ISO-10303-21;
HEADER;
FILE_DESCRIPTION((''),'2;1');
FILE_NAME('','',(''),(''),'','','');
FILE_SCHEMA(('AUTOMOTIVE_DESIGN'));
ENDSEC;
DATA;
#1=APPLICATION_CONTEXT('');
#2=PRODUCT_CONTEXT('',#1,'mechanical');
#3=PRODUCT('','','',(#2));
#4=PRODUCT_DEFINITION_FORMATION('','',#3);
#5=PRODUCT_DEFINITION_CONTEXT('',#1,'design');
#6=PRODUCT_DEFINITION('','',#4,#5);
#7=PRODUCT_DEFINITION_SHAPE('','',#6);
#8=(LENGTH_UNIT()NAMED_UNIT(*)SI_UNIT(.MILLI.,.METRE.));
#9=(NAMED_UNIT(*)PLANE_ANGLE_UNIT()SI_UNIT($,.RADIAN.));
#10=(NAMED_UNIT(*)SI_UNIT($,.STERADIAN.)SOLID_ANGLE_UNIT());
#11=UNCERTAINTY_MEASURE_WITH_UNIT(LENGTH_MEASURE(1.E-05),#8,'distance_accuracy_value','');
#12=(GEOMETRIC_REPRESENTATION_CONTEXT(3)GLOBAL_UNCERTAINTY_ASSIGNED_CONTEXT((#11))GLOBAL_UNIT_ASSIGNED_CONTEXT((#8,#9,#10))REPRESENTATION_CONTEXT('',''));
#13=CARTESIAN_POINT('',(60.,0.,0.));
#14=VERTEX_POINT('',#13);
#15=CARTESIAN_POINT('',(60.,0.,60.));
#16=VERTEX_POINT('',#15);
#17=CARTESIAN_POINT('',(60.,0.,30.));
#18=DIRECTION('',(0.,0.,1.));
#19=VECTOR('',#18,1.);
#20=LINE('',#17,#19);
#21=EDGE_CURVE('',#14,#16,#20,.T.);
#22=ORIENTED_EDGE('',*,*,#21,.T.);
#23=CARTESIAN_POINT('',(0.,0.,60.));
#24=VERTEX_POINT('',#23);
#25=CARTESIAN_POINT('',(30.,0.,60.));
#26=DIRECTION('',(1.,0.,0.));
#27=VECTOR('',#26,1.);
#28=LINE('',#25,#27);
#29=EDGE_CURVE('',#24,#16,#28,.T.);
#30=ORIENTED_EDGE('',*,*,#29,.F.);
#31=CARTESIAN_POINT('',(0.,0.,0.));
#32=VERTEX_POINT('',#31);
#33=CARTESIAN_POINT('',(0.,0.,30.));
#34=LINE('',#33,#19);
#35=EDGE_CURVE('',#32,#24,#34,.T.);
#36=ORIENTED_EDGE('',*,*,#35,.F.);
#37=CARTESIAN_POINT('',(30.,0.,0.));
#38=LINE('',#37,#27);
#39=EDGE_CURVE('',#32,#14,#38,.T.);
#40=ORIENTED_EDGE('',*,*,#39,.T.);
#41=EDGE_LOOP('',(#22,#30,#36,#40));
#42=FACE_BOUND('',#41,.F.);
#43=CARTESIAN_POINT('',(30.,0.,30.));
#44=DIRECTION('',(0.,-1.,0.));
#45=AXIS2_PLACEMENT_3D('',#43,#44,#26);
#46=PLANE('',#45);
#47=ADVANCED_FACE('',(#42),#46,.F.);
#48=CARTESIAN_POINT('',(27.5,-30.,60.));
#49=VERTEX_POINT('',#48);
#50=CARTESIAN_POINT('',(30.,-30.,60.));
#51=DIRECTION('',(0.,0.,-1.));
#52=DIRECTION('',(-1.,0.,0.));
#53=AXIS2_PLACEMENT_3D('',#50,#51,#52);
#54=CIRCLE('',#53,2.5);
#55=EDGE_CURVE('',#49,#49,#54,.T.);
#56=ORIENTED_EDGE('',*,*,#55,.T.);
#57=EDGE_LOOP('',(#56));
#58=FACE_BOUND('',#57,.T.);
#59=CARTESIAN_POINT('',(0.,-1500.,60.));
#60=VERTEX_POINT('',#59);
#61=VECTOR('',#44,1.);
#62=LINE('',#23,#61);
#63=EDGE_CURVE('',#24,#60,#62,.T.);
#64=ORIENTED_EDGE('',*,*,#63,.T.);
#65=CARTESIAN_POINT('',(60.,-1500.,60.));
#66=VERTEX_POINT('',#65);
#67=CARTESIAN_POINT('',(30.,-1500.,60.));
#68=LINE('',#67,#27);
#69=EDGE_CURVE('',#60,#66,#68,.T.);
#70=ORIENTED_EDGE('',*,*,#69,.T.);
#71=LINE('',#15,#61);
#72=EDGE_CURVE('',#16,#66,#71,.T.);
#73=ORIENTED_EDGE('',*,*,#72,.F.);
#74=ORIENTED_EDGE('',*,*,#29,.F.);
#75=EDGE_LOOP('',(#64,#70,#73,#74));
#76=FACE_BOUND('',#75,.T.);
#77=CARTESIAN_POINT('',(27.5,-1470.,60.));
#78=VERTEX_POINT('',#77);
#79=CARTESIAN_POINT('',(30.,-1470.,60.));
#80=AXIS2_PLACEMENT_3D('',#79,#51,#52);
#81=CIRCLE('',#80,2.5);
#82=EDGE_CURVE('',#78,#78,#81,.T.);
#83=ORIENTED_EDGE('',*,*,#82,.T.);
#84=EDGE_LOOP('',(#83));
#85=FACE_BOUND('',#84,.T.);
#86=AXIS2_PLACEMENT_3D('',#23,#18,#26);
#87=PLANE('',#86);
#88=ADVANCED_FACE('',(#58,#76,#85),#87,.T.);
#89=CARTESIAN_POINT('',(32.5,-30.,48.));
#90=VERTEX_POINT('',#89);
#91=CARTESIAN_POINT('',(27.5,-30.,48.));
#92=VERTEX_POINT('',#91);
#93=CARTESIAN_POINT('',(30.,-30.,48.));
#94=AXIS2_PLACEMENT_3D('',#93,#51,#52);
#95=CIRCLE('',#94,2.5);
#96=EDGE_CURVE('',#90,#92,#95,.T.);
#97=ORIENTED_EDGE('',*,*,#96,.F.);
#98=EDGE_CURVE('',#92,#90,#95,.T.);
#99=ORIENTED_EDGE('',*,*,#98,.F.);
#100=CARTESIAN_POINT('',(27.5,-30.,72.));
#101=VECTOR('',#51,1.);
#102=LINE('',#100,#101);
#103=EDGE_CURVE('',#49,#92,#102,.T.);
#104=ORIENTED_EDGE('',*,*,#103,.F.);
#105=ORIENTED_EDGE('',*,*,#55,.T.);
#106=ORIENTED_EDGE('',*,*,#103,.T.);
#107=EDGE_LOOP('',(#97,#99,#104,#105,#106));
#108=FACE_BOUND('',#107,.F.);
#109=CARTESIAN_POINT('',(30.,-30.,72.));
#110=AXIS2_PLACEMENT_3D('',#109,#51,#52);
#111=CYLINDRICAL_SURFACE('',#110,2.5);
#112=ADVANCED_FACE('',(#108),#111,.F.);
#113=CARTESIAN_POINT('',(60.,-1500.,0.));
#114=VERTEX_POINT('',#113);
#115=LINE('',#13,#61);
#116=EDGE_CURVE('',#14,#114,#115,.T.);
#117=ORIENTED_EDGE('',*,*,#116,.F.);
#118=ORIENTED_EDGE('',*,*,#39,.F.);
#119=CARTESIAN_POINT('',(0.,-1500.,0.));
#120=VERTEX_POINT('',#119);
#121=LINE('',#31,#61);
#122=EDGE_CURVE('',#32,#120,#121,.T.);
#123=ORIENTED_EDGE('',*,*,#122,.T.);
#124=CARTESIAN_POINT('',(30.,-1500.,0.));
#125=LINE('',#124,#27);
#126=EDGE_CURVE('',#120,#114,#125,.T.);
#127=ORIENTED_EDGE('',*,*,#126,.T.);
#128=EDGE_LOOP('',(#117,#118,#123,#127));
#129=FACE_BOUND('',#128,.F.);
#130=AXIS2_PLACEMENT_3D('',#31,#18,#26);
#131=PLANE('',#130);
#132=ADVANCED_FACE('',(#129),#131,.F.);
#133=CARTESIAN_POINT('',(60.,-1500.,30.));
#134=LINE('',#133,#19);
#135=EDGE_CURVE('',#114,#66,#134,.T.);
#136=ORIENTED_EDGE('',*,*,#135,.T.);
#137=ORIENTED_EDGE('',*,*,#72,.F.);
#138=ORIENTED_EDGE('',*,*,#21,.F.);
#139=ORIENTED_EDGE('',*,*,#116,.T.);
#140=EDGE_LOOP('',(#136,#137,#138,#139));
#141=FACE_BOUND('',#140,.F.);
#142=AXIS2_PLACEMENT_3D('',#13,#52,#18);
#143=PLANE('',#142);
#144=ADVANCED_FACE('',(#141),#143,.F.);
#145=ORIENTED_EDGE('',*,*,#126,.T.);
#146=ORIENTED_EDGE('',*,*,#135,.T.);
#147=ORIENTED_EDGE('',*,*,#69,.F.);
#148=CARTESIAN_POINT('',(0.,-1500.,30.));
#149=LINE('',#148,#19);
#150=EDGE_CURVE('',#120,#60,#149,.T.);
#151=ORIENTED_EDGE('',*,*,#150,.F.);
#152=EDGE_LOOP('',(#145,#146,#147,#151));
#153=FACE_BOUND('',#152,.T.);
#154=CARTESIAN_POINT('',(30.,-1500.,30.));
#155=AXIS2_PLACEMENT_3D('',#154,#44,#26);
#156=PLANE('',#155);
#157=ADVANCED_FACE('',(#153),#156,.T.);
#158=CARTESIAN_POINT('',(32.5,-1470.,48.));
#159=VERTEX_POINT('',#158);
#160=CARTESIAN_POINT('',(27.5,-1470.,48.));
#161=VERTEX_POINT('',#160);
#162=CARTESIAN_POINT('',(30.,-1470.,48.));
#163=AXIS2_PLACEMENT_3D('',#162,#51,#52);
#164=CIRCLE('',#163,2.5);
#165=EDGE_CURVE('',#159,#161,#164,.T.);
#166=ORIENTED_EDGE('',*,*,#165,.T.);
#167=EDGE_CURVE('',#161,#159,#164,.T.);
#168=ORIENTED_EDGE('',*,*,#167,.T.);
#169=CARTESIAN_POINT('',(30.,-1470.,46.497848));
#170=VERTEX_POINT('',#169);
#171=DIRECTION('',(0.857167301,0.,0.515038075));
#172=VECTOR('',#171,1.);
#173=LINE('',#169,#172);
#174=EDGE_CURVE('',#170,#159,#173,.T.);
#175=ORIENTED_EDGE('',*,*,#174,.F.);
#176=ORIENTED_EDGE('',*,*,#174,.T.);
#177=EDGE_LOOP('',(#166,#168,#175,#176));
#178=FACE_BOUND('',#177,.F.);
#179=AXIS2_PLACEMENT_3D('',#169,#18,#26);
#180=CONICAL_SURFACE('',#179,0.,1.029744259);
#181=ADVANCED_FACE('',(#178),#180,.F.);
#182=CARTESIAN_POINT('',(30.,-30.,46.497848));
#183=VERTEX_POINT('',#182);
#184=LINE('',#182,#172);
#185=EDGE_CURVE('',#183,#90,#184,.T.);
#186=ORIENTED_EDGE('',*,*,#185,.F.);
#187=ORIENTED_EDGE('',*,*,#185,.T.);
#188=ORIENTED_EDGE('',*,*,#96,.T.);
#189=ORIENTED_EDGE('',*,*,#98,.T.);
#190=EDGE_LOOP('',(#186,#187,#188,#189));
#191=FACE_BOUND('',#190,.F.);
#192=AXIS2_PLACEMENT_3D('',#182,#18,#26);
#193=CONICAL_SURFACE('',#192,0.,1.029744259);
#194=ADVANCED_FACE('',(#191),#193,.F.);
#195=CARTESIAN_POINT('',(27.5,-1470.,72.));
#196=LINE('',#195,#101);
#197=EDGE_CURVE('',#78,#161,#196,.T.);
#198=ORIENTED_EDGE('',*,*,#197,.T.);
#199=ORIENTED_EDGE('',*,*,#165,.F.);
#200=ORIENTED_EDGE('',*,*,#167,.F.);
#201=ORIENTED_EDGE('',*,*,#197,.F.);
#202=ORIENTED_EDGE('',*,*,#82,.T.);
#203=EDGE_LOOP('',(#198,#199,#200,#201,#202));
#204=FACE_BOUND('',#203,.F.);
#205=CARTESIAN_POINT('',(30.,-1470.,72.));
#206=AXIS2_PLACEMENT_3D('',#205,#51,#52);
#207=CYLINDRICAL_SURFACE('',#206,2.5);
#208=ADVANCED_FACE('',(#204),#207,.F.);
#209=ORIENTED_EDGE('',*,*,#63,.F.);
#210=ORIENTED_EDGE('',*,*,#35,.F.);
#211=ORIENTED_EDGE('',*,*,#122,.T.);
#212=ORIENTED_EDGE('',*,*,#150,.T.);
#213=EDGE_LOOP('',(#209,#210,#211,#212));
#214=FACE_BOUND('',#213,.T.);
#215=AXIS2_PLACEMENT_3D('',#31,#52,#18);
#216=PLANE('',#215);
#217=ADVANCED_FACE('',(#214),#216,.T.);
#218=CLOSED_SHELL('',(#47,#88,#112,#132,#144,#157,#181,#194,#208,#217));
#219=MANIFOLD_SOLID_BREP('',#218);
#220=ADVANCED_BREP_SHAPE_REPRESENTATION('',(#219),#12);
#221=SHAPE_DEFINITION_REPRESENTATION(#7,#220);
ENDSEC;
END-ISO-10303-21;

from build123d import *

# Parameters (mm, degrees)
F3_W     = 60
F3_H     = 60
F4_DEPTH = 1500
F6_D     = 5
F6_DEPTH = 12
F6_TIP   = 1.5021515476


with BuildPart() as f4:
    # F3 (on Front) → F4 (new body)
    with BuildSketch(Plane.XZ):
        with Locations((30, 30)):
            Rectangle(F3_W, F3_H)
    extrude(amount=F4_DEPTH)

    # F6
    with Locations(Plane.XY.offset(60)):
        with Locations((30, -1470), (30, -30)):
            Hole(F6_D / 2, depth=F6_DEPTH)
            with Locations((0, 0, -(F6_DEPTH + F6_TIP / 2))):  # 118° drill point
                Cone(0, F6_D / 2, F6_TIP, mode=Mode.SUBTRACT)


solid = f4.part
